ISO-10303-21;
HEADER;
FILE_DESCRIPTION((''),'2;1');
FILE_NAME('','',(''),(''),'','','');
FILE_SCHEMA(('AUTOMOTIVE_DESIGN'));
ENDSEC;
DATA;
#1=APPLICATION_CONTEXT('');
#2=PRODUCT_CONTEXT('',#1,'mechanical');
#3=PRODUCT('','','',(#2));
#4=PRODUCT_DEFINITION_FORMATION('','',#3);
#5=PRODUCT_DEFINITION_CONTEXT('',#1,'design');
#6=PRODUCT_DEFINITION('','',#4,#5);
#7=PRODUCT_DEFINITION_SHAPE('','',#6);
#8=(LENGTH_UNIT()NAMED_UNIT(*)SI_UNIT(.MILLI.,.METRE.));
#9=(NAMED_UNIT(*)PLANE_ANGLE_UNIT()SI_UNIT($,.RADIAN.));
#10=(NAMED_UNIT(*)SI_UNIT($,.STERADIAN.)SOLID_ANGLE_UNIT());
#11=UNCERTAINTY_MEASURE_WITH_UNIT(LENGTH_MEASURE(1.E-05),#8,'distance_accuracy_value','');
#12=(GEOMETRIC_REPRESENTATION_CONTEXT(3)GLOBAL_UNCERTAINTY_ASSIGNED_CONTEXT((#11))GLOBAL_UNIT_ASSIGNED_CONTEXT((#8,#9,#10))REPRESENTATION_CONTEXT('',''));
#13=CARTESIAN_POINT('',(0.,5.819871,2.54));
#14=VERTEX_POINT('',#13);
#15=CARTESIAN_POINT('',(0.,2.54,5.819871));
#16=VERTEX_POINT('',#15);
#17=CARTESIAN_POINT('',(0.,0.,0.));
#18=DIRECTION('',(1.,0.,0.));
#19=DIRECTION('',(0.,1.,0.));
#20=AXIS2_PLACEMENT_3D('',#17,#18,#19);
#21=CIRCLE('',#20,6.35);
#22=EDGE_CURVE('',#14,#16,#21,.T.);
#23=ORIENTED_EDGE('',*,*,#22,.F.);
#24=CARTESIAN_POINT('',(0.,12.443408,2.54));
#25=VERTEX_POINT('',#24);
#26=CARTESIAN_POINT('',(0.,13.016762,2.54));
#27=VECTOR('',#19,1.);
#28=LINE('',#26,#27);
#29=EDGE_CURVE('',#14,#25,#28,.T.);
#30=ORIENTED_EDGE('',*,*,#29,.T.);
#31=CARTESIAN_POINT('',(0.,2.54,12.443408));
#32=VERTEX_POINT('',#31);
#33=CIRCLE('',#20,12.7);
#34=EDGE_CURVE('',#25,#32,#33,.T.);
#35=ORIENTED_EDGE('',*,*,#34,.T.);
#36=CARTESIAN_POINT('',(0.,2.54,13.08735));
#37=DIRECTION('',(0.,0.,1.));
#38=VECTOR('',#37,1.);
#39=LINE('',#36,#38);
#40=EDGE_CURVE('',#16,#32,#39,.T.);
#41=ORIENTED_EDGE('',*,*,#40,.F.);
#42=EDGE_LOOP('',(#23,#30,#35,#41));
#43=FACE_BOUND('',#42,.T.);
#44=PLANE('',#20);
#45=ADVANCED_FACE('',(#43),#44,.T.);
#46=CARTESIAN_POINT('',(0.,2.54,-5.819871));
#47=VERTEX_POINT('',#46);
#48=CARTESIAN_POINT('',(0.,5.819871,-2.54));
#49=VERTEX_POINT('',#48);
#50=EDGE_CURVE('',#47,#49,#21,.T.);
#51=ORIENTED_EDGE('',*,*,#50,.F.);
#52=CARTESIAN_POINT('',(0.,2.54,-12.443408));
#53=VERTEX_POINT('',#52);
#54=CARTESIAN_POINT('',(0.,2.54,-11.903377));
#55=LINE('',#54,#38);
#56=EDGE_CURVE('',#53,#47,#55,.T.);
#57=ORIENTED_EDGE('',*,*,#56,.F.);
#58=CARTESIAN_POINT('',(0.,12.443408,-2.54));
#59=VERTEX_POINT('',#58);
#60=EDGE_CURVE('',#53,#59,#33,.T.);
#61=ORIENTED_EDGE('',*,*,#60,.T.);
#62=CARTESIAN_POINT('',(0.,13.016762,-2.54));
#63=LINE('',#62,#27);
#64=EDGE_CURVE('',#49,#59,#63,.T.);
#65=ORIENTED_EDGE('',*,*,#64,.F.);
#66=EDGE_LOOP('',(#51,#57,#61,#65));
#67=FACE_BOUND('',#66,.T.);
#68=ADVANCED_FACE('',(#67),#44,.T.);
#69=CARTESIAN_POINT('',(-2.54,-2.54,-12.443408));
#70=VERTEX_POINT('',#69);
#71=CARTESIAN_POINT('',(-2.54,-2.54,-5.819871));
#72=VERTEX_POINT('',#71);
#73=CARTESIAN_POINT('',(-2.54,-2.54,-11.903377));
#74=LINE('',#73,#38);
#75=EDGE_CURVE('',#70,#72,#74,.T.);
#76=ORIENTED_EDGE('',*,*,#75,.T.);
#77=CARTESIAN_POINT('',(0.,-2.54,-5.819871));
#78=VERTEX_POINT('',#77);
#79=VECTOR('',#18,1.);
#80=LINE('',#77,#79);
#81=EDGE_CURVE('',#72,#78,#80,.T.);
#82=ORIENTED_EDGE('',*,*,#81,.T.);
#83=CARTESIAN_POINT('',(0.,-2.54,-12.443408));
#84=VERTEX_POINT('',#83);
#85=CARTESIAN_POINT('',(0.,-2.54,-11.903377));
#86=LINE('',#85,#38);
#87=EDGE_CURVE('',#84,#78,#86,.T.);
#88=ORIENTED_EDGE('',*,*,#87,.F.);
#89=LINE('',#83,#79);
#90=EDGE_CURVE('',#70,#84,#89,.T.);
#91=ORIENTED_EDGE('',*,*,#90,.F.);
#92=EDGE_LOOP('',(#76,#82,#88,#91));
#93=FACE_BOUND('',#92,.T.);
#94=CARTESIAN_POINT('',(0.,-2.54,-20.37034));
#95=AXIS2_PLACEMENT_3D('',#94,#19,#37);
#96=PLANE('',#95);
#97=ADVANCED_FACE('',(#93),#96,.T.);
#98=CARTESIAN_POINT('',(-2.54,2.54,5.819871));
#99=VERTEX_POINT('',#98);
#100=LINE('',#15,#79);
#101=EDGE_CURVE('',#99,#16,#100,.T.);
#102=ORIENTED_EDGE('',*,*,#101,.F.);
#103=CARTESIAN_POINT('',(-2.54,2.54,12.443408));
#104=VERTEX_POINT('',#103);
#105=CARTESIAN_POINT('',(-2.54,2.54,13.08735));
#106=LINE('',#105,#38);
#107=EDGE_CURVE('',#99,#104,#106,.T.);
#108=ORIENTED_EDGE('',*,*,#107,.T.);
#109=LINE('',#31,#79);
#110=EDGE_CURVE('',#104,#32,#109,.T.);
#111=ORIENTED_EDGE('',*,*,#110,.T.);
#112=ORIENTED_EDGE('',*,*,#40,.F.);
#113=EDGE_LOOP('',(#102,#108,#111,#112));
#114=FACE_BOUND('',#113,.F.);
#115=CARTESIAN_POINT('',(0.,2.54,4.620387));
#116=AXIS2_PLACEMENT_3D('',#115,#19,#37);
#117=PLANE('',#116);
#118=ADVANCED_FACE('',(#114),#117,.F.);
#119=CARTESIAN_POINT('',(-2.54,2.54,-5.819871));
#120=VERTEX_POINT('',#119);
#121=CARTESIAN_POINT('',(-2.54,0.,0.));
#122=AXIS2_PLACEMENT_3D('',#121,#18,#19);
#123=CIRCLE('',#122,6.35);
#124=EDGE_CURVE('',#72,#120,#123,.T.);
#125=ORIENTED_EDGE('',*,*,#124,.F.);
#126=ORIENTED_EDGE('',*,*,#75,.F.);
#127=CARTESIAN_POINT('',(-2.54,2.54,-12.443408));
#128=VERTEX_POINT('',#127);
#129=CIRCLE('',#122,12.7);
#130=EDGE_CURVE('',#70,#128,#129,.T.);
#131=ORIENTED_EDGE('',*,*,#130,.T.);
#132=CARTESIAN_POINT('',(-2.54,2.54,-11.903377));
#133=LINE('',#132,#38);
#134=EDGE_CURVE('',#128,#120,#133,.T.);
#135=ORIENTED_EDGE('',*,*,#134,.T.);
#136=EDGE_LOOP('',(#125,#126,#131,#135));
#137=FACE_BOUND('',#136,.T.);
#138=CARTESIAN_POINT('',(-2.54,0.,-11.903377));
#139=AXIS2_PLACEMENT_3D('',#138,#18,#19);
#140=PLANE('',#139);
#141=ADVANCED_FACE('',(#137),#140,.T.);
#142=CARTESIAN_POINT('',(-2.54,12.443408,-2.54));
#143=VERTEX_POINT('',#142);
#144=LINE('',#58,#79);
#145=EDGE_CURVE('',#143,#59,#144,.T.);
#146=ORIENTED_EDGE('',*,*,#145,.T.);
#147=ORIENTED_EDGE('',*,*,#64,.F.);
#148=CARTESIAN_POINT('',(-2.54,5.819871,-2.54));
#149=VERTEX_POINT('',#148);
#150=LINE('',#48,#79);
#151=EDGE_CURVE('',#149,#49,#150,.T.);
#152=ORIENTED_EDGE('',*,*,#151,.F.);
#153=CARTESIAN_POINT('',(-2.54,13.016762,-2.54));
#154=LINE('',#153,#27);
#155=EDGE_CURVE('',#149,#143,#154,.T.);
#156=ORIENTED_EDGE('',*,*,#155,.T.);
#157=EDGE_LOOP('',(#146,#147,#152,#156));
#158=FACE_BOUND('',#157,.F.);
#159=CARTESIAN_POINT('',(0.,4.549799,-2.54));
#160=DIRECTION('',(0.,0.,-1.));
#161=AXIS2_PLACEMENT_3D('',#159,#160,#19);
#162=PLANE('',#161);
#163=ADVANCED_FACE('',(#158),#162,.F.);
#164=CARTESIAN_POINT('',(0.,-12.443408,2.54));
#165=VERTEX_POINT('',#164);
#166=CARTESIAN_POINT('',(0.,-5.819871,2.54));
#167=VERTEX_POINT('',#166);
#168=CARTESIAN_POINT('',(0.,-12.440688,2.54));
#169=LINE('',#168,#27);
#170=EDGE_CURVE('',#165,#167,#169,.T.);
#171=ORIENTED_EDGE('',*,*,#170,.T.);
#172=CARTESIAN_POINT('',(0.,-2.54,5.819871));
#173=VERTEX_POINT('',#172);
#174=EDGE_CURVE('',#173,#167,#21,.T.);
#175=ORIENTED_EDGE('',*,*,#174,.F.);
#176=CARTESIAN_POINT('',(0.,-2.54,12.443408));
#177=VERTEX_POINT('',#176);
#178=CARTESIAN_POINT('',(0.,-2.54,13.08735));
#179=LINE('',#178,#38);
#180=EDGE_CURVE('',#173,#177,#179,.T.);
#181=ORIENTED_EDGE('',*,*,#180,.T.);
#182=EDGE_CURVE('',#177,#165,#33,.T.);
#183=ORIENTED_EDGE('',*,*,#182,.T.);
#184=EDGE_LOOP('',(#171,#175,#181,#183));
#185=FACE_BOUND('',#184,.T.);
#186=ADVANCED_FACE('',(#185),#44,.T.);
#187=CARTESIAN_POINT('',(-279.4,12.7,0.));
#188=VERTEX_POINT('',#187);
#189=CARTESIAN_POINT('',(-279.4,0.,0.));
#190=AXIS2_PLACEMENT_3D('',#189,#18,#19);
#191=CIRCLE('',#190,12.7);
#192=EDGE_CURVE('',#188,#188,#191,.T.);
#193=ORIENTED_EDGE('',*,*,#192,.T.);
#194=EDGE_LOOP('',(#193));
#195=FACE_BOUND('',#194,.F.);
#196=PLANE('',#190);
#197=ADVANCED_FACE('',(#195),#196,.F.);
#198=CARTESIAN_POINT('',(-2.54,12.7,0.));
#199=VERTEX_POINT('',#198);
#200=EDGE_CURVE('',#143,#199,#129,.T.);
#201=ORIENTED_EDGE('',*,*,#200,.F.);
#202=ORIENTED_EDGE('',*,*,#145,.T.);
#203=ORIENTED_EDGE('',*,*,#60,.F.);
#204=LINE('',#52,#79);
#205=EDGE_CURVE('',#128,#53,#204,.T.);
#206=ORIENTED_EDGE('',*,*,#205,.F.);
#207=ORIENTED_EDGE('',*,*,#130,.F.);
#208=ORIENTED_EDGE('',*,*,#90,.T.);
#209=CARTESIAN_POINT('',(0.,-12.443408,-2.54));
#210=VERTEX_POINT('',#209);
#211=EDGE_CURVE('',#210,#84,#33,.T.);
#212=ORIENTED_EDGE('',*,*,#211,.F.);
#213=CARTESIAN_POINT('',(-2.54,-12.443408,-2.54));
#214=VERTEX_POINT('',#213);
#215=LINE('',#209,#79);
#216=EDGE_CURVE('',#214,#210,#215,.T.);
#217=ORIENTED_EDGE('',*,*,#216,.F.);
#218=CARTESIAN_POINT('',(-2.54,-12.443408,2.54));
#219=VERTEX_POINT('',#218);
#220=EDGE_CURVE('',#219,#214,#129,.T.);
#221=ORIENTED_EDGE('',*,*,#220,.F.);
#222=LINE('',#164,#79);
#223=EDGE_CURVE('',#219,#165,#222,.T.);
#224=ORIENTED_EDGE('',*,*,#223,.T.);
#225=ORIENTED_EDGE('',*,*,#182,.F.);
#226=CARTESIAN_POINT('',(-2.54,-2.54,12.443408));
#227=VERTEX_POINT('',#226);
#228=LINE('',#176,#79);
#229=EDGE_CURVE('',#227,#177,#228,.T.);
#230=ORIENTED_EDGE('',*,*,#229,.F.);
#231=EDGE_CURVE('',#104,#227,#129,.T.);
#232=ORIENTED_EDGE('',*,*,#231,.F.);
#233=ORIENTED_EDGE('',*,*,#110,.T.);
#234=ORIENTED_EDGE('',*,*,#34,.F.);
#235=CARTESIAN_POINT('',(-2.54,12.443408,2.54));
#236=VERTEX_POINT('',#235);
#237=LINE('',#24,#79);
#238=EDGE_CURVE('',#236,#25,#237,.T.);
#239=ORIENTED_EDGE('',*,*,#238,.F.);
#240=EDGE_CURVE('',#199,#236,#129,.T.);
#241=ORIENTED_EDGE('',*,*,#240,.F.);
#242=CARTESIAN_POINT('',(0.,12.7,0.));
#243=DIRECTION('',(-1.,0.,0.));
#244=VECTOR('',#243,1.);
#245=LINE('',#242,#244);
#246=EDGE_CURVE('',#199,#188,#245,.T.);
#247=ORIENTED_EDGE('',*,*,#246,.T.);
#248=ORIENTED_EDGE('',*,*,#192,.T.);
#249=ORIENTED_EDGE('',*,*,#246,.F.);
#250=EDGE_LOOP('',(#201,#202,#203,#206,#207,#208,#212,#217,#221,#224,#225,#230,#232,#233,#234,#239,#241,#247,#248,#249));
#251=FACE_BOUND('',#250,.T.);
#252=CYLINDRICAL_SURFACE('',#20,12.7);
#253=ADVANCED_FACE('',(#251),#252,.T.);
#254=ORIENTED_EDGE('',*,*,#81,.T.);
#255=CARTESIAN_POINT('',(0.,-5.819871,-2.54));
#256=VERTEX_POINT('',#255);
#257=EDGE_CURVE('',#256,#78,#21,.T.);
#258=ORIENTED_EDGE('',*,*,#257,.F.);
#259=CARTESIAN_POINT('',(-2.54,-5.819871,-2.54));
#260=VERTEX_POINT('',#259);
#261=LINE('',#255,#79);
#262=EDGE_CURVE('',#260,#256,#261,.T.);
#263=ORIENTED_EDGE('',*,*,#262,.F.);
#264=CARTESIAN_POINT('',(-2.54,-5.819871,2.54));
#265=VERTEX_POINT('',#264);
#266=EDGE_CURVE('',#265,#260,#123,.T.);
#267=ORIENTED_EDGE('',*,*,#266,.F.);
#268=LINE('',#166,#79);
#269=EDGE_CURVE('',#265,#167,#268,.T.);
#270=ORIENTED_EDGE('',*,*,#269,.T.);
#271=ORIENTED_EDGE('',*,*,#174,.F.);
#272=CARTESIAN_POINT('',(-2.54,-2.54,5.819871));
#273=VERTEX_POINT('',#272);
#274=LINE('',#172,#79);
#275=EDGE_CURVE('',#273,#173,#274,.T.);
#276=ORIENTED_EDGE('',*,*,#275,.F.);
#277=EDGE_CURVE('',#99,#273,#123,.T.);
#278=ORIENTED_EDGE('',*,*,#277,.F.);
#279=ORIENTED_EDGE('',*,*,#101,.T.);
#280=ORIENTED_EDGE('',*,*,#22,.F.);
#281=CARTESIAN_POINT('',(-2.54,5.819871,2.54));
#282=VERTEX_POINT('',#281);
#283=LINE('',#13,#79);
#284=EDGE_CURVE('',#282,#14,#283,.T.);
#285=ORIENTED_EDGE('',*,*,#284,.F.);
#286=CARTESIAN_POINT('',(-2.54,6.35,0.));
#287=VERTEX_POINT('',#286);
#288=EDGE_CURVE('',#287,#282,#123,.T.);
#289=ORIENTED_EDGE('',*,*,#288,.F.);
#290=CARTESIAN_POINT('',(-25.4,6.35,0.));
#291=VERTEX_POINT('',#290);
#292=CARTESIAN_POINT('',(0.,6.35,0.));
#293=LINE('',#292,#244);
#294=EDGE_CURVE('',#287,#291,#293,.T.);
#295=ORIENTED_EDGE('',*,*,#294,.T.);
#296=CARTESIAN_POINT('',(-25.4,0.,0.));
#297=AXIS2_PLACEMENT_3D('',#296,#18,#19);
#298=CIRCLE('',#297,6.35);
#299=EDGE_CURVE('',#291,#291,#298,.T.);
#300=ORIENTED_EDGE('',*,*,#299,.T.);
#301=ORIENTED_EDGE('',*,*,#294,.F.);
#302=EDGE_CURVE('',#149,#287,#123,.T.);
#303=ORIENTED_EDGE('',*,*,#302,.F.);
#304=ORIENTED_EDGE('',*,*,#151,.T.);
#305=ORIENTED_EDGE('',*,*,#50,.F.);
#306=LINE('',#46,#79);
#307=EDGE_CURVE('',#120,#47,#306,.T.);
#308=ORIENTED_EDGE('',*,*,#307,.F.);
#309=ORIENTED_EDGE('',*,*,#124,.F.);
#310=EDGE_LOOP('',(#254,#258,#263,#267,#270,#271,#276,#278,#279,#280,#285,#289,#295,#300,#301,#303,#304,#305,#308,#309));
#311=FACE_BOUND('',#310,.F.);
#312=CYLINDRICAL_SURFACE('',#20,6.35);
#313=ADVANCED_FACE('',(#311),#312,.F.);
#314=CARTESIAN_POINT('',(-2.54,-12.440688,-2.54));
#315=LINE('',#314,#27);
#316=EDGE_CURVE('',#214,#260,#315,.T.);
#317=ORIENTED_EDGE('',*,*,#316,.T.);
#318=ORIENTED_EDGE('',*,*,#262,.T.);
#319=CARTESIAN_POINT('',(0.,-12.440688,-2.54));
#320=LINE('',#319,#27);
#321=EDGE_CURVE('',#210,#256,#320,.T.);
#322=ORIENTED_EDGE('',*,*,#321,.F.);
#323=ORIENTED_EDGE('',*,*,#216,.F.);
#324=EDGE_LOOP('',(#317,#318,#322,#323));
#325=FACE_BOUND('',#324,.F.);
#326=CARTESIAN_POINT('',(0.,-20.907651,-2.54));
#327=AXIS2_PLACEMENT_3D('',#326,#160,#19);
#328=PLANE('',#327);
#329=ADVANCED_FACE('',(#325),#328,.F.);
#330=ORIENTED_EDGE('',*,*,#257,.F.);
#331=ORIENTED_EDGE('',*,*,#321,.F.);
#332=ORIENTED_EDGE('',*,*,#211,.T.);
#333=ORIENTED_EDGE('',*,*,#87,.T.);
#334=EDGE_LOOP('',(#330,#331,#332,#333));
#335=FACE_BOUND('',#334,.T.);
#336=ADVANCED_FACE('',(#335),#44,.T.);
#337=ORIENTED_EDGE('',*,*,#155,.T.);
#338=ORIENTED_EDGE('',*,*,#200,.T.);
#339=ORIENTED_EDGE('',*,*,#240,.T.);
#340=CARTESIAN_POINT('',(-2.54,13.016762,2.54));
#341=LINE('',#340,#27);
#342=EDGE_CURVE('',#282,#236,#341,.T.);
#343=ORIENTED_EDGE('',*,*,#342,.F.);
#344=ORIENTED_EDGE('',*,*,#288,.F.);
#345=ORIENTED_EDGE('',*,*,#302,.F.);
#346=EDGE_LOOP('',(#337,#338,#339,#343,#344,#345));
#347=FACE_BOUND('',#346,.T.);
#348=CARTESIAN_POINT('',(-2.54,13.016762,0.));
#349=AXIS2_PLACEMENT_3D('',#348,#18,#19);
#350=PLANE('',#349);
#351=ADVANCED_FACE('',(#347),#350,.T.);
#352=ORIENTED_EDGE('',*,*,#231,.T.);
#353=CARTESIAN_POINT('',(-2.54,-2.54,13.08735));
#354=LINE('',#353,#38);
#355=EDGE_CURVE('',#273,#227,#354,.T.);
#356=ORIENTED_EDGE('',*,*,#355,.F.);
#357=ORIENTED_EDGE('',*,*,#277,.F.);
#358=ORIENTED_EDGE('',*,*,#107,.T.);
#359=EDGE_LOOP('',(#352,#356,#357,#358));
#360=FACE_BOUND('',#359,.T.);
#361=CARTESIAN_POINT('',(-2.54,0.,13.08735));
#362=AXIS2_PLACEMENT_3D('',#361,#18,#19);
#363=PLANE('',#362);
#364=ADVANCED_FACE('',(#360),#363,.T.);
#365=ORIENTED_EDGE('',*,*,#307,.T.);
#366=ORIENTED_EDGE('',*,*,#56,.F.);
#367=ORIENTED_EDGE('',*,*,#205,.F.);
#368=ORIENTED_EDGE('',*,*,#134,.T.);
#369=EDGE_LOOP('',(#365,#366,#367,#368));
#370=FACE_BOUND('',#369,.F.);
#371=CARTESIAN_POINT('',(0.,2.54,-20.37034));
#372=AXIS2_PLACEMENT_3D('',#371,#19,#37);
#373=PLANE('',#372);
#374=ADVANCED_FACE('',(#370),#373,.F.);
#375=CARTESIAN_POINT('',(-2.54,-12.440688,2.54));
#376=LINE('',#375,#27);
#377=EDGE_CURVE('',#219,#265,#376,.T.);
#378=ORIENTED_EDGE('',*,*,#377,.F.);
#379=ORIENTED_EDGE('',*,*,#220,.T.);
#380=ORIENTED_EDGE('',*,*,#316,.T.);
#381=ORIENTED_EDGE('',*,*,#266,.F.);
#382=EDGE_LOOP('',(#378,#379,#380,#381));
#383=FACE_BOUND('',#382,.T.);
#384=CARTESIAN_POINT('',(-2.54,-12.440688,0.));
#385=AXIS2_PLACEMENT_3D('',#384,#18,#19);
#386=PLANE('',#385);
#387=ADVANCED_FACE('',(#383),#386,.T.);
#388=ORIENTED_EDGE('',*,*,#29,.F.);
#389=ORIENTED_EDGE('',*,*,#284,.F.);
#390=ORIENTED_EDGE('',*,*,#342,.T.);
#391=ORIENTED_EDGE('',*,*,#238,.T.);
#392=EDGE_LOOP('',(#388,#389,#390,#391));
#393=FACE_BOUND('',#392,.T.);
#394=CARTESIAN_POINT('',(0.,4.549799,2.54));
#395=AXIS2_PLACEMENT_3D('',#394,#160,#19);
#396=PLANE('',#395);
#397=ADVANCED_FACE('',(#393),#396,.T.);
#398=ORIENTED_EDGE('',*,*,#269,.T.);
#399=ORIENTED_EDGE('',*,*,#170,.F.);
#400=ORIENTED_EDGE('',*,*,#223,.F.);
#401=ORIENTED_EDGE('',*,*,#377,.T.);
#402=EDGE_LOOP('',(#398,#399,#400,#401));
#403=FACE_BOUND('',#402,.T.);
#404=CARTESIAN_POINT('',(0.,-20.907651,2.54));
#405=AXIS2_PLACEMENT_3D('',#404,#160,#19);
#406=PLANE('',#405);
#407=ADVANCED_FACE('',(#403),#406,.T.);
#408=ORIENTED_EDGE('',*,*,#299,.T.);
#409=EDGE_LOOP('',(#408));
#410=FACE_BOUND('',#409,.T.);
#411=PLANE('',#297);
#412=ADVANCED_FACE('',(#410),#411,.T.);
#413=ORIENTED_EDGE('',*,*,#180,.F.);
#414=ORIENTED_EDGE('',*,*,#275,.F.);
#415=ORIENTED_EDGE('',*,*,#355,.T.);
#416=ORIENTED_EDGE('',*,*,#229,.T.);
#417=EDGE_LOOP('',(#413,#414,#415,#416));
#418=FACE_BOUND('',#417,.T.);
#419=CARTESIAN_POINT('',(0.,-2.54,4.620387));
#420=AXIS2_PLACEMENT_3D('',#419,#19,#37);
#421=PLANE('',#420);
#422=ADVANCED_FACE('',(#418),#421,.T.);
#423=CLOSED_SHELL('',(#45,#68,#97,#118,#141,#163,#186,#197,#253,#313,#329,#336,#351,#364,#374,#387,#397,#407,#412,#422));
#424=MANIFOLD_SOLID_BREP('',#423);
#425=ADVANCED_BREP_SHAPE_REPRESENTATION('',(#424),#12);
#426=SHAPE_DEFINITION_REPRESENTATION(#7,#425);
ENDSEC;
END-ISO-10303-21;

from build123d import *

# Parameters (mm, degrees)
F0_R     = 12.7
F1_DEPTH = 279.4
F2_R     = 6.35
F3_DEPTH = 25.4
F4_W     = 5.08
F4_H     = 16.933925
F4_W_2   = 16.933925
F4_H_2   = 5.08
F4_H_3   = 16.933926
F4_W_3   = 16.933926
F5_DEPTH = 2.54


with BuildPart() as f1:
    # F0 (on Right) → F1 (new body)
    with BuildSketch(Plane.YZ):
        Circle(F0_R)
    extrude(amount=-F1_DEPTH)

    # F2 (on face) → F3 (cut)
    with BuildSketch(Plane.YZ):
        Circle(F2_R)
    extrude(amount=-F3_DEPTH, mode=Mode.SUBTRACT)

    # F4 (on Right) → F5 (cut)
    with BuildSketch(Plane.YZ):
        with Locations((0, 13.08735)):
            Rectangle(F4_W, F4_H)
        with Locations((13.016762, 0)):
            Rectangle(F4_W_2, F4_H_2)
        with Locations((0, -11.903377)):
            Rectangle(F4_W, F4_H_3)
        with Locations((-12.440688, 0)):
            Rectangle(F4_W_3, F4_H_2)
    extrude(amount=-F5_DEPTH, mode=Mode.SUBTRACT)


solid = f1.part
